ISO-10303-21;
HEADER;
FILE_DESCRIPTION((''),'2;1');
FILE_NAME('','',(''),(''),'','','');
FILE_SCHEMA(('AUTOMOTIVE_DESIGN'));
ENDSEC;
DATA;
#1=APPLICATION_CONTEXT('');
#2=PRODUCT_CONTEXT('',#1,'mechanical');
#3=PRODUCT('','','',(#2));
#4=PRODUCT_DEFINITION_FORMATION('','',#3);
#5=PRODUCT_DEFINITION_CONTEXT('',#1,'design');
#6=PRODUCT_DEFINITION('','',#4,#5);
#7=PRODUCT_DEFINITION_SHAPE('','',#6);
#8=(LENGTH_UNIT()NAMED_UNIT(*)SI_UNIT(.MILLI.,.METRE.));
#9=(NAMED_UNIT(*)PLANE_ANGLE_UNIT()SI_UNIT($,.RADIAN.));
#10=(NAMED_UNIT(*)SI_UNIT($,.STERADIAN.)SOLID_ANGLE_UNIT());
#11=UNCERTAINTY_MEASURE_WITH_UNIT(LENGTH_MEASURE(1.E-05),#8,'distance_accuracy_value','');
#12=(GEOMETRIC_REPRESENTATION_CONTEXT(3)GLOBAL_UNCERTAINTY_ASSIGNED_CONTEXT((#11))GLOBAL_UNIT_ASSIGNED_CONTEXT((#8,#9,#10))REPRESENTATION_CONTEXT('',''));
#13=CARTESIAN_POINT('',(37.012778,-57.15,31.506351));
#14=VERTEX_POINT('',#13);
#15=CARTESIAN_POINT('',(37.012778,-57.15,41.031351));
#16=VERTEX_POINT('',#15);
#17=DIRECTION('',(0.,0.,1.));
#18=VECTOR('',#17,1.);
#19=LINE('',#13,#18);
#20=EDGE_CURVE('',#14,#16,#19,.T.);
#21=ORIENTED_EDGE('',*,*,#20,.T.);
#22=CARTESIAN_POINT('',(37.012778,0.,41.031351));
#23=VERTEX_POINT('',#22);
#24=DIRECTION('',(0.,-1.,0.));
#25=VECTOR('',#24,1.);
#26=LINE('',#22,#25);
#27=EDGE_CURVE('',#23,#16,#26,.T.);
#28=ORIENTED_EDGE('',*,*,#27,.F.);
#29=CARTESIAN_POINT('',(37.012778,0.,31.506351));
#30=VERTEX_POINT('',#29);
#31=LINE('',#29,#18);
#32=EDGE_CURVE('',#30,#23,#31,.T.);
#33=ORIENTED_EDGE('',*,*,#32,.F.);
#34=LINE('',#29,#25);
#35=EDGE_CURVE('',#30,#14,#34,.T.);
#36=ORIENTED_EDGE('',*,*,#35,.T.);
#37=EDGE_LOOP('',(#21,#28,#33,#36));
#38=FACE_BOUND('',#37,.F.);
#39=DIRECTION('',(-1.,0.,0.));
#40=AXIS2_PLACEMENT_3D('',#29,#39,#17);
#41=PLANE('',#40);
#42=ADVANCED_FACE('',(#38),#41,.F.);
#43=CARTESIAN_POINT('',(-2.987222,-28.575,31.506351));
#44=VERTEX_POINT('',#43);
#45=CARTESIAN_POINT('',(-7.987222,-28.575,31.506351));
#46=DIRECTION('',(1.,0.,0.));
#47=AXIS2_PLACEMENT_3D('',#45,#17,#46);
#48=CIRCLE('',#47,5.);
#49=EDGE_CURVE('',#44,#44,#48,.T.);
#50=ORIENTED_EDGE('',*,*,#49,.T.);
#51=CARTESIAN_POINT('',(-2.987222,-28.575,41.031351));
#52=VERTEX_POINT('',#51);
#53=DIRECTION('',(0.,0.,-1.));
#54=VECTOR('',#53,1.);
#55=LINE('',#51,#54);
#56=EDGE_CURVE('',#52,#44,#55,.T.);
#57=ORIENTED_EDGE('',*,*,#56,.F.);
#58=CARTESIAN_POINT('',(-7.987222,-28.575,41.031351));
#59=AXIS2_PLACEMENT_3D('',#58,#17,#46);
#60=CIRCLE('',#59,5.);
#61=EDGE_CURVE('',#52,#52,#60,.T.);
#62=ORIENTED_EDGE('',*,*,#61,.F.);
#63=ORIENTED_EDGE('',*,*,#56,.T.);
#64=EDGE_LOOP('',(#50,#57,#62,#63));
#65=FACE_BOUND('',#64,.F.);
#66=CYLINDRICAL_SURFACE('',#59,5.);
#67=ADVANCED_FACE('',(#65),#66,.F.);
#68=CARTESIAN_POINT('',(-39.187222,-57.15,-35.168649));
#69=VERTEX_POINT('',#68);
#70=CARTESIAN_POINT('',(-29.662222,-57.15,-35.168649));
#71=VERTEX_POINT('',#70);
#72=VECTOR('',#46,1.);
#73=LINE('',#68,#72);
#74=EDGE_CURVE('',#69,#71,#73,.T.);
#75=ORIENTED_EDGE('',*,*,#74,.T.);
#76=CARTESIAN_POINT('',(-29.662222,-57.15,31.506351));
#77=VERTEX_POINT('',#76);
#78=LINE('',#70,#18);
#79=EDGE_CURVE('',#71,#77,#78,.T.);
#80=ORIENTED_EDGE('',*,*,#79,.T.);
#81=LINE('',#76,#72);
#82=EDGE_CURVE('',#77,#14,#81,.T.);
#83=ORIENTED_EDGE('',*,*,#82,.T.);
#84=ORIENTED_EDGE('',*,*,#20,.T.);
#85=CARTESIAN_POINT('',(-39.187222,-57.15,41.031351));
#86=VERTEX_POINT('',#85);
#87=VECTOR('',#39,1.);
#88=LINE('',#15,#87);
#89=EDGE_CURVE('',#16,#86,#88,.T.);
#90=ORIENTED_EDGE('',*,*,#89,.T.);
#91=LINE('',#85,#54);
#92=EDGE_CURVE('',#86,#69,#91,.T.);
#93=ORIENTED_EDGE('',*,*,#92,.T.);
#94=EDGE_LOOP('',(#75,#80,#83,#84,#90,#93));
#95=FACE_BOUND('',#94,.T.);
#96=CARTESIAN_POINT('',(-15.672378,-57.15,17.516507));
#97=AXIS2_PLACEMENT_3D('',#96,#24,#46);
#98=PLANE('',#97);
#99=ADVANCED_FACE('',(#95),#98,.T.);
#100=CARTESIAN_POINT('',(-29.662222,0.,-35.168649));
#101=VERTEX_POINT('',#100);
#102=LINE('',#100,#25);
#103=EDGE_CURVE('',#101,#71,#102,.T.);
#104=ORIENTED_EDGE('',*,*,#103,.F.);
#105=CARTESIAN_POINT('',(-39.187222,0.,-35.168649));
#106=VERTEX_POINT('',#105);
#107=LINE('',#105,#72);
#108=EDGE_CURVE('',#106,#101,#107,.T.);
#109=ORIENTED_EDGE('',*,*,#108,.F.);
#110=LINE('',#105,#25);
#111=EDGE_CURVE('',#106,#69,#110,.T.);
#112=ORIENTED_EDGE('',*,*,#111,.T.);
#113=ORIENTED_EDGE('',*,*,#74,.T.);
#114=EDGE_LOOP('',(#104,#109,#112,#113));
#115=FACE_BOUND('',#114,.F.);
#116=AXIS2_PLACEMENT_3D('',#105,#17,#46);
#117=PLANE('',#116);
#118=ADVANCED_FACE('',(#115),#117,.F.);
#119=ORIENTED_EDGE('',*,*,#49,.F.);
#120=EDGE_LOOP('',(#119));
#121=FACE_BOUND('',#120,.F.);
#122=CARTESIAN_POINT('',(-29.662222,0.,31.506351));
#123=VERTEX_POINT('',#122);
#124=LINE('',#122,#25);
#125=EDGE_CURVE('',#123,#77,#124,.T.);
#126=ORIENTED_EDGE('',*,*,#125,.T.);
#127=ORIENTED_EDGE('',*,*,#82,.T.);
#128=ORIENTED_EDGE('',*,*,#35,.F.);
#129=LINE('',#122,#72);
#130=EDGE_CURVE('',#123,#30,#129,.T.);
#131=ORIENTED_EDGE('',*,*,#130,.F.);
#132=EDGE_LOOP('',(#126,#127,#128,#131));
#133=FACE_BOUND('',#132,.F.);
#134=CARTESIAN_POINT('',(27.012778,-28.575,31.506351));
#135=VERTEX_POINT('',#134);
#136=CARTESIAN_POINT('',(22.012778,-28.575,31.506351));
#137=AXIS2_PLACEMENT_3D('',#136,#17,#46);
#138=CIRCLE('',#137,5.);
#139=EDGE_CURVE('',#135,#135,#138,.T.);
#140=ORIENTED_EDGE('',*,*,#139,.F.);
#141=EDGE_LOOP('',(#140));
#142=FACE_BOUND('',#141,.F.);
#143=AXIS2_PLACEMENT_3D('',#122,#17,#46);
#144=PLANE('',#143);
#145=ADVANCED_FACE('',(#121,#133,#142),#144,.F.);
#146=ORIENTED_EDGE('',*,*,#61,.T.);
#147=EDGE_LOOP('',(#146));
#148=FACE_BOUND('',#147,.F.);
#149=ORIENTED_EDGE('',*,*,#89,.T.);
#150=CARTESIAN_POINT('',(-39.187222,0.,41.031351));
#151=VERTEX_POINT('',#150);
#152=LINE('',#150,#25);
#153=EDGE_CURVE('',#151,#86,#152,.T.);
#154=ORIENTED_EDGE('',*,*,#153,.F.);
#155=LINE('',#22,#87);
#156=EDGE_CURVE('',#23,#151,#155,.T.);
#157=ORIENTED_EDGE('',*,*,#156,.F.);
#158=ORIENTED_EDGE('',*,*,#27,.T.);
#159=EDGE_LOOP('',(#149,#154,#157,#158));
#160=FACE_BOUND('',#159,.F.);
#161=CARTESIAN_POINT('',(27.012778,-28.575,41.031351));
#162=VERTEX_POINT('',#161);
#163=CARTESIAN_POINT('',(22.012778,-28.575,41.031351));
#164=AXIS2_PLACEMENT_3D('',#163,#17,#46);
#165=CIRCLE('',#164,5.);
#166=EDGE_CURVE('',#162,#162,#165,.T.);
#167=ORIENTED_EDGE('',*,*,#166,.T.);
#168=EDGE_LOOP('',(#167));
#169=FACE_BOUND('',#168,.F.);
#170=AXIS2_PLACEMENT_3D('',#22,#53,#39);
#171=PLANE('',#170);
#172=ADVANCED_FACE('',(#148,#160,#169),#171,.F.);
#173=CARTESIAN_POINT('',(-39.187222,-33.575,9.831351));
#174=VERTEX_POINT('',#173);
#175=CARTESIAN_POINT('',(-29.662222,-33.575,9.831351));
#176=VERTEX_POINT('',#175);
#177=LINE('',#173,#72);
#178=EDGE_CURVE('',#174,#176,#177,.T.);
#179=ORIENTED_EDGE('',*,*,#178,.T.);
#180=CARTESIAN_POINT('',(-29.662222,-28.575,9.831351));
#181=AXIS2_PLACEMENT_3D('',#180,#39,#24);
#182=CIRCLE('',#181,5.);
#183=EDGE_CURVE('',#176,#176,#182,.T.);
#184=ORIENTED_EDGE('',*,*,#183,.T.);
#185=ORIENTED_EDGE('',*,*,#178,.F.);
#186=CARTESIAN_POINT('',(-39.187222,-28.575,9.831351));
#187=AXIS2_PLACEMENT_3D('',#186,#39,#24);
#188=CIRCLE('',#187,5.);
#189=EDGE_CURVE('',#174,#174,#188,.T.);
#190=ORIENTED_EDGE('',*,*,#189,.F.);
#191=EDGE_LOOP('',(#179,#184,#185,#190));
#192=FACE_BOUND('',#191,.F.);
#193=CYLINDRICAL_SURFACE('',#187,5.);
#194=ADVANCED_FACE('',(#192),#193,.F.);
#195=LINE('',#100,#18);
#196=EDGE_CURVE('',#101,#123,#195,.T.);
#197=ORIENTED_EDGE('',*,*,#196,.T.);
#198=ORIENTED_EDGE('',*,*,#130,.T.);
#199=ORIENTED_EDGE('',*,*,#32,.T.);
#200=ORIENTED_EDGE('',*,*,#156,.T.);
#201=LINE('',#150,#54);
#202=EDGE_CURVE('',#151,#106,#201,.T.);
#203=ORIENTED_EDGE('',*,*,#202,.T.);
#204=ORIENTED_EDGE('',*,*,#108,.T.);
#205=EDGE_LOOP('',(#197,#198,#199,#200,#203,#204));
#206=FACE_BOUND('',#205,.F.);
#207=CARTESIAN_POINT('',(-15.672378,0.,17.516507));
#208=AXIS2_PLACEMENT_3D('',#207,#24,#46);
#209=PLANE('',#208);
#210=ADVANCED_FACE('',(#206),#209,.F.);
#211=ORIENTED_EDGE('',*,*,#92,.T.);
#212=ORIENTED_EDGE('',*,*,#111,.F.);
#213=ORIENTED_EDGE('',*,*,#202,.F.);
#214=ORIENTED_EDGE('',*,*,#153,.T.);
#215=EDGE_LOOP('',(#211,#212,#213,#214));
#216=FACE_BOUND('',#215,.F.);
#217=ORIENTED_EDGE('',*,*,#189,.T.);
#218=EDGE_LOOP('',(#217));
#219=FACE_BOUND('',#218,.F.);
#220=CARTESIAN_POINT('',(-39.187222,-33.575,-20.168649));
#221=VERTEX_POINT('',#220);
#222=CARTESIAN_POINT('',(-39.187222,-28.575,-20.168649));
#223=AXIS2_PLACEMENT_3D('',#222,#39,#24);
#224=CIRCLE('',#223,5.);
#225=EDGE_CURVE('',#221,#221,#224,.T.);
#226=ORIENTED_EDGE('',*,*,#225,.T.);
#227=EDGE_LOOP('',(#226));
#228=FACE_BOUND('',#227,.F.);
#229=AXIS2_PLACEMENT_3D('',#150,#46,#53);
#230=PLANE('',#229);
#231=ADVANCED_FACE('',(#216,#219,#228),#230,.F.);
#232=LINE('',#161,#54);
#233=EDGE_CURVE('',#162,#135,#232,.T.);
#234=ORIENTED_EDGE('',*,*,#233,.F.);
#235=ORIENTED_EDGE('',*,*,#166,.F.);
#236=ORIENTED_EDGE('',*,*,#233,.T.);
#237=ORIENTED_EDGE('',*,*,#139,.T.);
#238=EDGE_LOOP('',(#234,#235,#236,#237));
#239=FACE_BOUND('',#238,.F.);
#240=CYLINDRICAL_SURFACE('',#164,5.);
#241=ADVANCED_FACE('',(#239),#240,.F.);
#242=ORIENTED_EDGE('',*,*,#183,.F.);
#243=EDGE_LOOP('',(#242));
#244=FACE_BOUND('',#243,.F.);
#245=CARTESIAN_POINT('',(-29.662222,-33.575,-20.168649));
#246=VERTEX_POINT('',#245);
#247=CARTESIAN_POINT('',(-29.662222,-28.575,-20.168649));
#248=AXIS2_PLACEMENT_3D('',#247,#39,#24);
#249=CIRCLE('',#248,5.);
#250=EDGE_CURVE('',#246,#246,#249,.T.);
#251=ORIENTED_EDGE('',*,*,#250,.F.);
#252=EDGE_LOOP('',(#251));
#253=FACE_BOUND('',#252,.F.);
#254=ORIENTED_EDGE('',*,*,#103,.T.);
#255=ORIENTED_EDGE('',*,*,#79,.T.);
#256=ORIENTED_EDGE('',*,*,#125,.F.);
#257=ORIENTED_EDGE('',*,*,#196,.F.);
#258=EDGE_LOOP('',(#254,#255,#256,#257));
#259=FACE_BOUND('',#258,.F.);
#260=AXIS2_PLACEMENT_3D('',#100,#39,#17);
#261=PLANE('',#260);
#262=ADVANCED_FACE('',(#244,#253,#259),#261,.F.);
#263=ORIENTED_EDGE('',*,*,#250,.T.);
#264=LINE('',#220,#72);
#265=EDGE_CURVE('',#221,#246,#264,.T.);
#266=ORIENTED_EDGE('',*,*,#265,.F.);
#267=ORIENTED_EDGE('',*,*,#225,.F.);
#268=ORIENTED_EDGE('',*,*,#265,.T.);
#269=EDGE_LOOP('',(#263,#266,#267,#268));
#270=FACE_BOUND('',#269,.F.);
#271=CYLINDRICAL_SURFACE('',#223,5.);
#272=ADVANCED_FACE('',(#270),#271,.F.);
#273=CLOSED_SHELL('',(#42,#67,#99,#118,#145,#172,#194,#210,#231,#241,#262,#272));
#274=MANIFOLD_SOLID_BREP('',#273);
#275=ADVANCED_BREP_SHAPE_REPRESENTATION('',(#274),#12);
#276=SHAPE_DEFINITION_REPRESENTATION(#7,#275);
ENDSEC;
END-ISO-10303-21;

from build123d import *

# Parameters (mm, degrees)
F1_DEPTH = 57.15
F3_R     = 5
F4_DEPTH = 25
F2_R     = 5
F5_DEPTH = 25


with BuildPart() as f1:
    # F0 (on Front) → F1 (new body)
    with BuildSketch(Plane.XZ):
        Polygon((37.012778, 41.031351), (-39.187222, 41.031351), (-39.187222, -35.168649), (-29.662222, -35.168649), (-29.662222, 31.506351), (37.012778, 31.506351), align=None)
    extrude(amount=F1_DEPTH)

    # F3 (on face) → F4 (cut)
    with BuildSketch(Plane(origin=(-39.187222, 0, 0), x_dir=(0, -1, 0), z_dir=(-1, 0, 0))):
        with Locations((28.575, -20.168649)):
            Circle(F3_R)
        with Locations((28.575, 9.831351)):
            Circle(F3_R)
    extrude(amount=-F4_DEPTH, mode=Mode.SUBTRACT)

    # F2 (on face) → F5 (cut)
    with BuildSketch(Plane.XY.offset(41.031351)):
        with Locations((-7.987222, -28.575)):
            Circle(F2_R)
        with Locations((22.012778, -28.575)):
            Circle(F2_R)
    extrude(amount=-F5_DEPTH, mode=Mode.SUBTRACT)


solid = f1.part
